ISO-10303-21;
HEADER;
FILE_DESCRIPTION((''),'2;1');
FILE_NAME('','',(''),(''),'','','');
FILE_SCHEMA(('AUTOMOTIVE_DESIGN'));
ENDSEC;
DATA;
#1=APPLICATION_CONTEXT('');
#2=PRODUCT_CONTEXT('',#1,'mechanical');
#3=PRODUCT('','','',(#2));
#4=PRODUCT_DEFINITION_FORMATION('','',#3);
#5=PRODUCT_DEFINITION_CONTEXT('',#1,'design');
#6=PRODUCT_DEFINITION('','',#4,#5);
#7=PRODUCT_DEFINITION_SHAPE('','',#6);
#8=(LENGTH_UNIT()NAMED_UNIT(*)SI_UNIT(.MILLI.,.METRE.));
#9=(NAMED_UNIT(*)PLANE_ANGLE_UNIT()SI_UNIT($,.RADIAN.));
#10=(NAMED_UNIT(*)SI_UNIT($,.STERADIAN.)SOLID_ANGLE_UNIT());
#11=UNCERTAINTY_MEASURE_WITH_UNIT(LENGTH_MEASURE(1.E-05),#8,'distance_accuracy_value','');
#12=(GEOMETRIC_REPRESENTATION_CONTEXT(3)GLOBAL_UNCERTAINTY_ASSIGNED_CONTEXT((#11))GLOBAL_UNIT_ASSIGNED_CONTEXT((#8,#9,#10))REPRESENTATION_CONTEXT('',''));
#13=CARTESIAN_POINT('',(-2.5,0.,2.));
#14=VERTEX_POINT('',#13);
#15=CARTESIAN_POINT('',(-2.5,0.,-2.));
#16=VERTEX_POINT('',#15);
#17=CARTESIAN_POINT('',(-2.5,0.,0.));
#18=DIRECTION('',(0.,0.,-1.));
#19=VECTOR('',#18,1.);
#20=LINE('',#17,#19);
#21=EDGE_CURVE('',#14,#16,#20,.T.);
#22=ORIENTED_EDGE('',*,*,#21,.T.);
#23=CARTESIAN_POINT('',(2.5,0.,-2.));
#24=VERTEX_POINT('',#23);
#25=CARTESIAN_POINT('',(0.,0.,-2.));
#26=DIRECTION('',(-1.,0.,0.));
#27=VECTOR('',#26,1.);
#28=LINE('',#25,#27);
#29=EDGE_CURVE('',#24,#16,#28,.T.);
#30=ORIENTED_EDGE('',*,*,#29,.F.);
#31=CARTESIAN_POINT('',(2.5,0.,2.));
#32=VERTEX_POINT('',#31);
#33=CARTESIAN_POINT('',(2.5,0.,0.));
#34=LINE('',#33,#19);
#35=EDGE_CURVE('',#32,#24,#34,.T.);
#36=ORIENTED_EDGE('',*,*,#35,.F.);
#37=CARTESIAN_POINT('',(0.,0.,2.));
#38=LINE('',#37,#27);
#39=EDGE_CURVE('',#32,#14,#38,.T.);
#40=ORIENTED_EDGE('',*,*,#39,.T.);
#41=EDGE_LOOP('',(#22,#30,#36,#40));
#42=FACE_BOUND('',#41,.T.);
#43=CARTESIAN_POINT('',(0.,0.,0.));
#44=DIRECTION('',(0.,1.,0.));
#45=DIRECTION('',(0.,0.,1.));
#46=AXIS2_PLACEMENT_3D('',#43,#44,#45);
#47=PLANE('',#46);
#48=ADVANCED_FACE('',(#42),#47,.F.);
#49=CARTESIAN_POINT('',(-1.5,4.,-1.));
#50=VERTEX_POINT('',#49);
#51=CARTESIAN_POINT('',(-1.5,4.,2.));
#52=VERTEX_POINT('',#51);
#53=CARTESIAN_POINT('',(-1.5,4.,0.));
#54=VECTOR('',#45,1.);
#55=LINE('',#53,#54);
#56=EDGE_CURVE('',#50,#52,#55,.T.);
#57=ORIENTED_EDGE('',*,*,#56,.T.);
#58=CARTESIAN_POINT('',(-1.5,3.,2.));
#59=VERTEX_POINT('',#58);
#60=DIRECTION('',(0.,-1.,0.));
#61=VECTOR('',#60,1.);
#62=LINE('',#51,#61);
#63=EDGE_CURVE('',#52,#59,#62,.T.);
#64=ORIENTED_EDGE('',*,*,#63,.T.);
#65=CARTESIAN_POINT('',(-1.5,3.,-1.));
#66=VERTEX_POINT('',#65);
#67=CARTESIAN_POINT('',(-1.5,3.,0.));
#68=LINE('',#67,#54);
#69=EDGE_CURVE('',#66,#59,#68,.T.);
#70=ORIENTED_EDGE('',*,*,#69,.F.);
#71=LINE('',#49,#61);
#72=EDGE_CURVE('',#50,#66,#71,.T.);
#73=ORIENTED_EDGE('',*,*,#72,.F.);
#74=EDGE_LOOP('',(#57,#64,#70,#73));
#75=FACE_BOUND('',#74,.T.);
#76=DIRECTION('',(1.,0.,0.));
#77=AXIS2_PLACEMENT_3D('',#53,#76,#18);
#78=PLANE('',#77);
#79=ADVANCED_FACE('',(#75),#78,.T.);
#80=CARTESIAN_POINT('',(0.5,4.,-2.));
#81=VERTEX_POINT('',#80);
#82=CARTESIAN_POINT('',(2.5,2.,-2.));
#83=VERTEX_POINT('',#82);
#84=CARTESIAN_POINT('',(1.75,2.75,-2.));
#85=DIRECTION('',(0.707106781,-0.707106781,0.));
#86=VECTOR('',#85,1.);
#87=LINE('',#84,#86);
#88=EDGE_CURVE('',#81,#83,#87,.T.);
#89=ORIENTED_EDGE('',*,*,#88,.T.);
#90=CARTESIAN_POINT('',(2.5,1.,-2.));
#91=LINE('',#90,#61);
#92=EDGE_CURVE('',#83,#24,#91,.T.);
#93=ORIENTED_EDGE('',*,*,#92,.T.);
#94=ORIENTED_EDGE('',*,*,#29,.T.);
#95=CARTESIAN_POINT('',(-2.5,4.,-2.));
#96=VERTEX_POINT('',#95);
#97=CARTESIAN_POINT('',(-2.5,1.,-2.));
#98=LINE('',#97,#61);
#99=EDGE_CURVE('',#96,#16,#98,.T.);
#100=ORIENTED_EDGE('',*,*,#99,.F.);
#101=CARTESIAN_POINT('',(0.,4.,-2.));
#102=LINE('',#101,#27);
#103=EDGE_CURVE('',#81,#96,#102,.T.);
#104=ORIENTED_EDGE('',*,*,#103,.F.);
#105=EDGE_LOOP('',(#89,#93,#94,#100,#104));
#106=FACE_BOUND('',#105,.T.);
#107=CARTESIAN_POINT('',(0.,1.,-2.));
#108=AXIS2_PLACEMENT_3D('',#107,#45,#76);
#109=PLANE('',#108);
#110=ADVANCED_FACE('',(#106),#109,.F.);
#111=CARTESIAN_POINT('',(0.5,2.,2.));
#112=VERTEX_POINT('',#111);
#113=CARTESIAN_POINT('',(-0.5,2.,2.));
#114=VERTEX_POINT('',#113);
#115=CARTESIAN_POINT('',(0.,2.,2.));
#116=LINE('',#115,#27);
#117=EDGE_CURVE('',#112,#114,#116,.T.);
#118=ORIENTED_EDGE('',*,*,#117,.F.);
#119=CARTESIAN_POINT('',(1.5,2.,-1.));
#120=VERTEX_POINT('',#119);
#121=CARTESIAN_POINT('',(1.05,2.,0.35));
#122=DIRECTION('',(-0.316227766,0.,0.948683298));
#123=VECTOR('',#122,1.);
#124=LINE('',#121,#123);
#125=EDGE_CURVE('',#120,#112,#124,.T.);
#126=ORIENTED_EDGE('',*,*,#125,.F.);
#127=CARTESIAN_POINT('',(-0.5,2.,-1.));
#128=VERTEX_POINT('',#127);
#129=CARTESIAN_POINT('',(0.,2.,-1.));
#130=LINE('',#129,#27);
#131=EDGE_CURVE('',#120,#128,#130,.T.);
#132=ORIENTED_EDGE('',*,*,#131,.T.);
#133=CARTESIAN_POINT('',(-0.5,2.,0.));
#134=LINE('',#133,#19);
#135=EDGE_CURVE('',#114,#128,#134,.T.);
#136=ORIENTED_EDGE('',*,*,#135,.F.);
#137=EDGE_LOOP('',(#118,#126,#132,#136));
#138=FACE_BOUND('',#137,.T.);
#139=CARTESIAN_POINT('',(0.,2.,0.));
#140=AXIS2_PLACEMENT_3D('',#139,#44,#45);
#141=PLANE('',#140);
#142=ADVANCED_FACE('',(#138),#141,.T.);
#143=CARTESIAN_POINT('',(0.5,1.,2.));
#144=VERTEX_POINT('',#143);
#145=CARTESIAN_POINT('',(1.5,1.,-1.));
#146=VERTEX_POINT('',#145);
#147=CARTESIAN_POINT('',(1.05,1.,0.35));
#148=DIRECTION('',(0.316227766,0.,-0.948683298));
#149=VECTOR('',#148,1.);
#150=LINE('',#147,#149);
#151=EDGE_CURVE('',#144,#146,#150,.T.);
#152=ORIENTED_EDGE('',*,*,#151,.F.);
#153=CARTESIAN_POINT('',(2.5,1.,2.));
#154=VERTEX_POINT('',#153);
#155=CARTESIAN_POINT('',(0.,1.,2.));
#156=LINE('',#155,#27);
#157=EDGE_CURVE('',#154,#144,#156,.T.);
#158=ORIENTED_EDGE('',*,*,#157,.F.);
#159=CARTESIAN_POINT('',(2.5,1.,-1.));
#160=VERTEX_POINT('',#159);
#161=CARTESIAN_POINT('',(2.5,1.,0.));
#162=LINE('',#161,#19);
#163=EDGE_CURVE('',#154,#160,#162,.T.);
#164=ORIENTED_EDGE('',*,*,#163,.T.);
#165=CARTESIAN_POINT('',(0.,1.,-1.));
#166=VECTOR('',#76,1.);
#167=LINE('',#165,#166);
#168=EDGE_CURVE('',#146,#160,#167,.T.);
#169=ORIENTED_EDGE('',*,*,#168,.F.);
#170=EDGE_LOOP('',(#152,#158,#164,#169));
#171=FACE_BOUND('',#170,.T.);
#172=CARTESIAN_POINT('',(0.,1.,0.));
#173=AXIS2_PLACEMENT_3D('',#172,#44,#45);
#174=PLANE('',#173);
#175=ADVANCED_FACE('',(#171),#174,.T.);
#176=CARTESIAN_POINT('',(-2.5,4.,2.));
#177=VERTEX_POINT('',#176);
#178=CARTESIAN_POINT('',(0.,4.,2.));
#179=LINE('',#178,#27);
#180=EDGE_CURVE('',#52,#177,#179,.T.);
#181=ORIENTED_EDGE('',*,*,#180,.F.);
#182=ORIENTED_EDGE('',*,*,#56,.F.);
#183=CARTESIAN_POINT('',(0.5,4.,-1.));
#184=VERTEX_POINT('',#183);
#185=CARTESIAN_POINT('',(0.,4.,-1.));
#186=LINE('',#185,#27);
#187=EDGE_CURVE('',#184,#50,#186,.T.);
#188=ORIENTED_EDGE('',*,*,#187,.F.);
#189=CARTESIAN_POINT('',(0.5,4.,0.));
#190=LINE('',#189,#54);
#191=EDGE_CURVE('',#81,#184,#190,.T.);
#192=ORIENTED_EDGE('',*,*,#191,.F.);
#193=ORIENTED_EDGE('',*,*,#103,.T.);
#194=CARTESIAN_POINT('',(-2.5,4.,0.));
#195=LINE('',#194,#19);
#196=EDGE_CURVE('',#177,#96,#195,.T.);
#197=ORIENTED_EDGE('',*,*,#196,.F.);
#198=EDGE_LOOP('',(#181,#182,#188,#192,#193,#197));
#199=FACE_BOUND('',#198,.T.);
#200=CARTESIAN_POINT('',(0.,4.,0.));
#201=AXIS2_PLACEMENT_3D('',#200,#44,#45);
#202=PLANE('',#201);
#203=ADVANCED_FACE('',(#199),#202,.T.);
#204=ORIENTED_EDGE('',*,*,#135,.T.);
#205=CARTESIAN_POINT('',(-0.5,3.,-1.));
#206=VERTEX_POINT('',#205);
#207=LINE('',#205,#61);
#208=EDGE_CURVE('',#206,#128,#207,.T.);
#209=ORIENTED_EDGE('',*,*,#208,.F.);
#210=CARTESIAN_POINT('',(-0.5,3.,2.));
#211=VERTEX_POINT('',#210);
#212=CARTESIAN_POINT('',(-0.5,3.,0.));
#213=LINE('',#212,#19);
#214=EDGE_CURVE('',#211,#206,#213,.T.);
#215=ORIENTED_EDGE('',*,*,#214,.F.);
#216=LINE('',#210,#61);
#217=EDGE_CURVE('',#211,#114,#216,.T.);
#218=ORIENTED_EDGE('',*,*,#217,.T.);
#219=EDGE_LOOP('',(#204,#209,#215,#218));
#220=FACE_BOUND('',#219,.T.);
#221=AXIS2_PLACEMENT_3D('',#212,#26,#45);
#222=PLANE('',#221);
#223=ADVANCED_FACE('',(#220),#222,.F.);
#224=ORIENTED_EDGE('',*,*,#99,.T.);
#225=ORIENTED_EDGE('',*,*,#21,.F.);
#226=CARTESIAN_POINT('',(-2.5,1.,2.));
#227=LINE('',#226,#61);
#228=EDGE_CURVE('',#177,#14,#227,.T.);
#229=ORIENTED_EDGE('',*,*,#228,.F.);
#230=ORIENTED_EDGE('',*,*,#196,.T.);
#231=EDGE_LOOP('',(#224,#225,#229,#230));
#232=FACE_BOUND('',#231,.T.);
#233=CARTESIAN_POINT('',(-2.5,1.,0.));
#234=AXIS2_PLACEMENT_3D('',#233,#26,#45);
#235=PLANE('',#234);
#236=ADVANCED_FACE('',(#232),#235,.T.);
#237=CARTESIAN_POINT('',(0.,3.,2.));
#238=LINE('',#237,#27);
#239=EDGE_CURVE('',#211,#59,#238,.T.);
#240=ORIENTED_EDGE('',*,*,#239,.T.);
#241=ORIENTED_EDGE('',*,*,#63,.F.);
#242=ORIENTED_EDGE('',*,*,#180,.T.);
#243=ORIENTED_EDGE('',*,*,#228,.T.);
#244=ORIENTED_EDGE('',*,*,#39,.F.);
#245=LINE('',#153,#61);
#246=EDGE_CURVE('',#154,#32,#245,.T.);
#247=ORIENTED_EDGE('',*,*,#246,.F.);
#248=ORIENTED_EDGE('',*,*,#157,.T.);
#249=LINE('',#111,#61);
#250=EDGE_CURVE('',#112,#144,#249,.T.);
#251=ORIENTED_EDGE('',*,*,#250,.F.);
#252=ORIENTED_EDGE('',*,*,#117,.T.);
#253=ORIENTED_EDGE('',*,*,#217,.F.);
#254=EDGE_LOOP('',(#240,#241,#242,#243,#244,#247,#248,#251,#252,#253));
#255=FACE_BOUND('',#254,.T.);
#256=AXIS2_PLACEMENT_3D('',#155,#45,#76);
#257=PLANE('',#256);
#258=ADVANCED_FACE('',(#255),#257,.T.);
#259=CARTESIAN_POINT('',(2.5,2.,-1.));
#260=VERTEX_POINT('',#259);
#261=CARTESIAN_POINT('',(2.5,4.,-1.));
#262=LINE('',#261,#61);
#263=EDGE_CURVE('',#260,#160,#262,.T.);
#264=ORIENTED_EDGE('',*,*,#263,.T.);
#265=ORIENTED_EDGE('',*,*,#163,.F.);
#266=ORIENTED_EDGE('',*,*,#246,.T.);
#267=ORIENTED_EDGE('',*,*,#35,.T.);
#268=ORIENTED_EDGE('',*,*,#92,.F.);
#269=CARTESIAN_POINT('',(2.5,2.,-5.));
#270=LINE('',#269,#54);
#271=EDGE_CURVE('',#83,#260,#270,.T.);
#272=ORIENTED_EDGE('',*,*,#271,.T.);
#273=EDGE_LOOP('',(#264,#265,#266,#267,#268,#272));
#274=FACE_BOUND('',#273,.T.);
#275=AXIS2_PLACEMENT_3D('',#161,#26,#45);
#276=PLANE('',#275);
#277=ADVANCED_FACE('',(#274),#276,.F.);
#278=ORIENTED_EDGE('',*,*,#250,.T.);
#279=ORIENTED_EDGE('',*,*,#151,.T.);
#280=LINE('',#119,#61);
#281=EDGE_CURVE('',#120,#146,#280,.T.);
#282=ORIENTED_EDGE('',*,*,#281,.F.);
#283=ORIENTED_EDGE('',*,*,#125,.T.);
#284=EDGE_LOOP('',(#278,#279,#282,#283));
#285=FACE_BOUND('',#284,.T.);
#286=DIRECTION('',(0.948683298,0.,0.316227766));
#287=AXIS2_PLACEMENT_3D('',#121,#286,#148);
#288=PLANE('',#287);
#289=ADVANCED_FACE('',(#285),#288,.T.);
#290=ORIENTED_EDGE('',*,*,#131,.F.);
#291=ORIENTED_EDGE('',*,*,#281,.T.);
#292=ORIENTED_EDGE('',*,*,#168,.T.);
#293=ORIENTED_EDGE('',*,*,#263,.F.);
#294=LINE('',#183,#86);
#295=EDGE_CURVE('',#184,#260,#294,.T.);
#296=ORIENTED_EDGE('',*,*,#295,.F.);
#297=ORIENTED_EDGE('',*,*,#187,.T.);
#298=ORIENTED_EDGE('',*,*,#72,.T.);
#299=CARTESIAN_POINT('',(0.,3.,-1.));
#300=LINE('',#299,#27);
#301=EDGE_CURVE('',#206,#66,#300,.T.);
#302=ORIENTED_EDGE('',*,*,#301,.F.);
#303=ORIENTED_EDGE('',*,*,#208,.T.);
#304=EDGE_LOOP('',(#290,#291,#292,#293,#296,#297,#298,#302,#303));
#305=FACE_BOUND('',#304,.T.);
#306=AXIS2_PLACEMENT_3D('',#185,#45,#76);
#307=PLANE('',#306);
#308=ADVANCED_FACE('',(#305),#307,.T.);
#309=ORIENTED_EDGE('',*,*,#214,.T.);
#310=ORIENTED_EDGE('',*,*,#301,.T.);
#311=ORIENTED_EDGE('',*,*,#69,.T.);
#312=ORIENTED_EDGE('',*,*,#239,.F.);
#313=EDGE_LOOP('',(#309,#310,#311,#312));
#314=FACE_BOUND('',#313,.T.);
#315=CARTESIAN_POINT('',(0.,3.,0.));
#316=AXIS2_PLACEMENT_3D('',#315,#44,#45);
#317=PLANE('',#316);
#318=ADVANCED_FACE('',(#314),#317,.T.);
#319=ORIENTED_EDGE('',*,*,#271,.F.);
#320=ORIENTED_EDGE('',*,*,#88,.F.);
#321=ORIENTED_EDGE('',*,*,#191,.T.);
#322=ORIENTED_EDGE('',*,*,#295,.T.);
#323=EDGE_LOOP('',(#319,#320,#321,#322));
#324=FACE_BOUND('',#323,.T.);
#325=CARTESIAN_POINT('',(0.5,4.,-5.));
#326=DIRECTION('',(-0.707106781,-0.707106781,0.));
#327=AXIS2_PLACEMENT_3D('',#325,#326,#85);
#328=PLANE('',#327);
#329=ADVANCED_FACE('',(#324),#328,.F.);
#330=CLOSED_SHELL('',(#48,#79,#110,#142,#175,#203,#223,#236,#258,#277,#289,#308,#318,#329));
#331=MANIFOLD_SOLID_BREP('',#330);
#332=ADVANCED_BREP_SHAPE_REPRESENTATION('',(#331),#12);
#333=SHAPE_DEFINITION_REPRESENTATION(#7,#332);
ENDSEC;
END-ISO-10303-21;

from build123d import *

# Parameters (mm, degrees)
SKETCH_1_W          = 5
SKETCH_1_H          = 4
EXTRUDE_1_DEPTH     = 1
EXTRUDE_2_DEPTH     = 2
SKETCH_1_4_W        = 1
SKETCH_1_4_H        = 3
EXTRUDE_3_DEPTH     = 3
EXTRUDE_4_DEPTH     = 4
CUT_EXTRUDE_1_DEPTH = 4


with BuildPart() as part:
    # 草圖1 → 填料-伸長1 (new body)
    with BuildSketch(Plane(origin=(0, 0, 0), x_dir=(1, 0, 0), z_dir=(0, 1, 0))):
        Rectangle(SKETCH_1_W, SKETCH_1_H)
    extrude(amount=EXTRUDE_1_DEPTH)

    # 草圖1<3> → 填料-伸長2 (add)
    with BuildSketch(Plane(origin=(0, 0, 0), x_dir=(1, 0, 0), z_dir=(0, 1, 0))):
        Polygon((0.5, -2), (1.5, 1), (-0.5, 1), (-0.5, -2), align=None)
    extrude(amount=EXTRUDE_2_DEPTH)

    # 草圖1<4> → 填料-伸長3 (add)
    with BuildSketch(Plane(origin=(0, 0, 0), x_dir=(1, 0, 0), z_dir=(0, 1, 0))):
        with Locations((-1, -0.5)):
            Rectangle(SKETCH_1_4_W, SKETCH_1_4_H)
    extrude(amount=EXTRUDE_3_DEPTH)

    # 草圖1<5> → 填料-伸長4 (add)
    with BuildSketch(Plane(origin=(0, 0, 0), x_dir=(1, 0, 0), z_dir=(0, 1, 0))):
        Polygon((1.5, 1), (2.5, 1), (2.5, 2), (-2.5, 2), (-2.5, -2), (-1.5, -2), (-1.5, 1), (-0.5, 1), align=None)
    extrude(amount=EXTRUDE_4_DEPTH)

    # 草圖2 → 除料-伸長1 (cut)
    with BuildSketch(Plane.XY.offset(-1)):
        Polygon((2.5, 4), (0.5, 4), (2.5, 2), align=None)
    extrude(amount=-CUT_EXTRUDE_1_DEPTH, mode=Mode.SUBTRACT)


solid = part.part
